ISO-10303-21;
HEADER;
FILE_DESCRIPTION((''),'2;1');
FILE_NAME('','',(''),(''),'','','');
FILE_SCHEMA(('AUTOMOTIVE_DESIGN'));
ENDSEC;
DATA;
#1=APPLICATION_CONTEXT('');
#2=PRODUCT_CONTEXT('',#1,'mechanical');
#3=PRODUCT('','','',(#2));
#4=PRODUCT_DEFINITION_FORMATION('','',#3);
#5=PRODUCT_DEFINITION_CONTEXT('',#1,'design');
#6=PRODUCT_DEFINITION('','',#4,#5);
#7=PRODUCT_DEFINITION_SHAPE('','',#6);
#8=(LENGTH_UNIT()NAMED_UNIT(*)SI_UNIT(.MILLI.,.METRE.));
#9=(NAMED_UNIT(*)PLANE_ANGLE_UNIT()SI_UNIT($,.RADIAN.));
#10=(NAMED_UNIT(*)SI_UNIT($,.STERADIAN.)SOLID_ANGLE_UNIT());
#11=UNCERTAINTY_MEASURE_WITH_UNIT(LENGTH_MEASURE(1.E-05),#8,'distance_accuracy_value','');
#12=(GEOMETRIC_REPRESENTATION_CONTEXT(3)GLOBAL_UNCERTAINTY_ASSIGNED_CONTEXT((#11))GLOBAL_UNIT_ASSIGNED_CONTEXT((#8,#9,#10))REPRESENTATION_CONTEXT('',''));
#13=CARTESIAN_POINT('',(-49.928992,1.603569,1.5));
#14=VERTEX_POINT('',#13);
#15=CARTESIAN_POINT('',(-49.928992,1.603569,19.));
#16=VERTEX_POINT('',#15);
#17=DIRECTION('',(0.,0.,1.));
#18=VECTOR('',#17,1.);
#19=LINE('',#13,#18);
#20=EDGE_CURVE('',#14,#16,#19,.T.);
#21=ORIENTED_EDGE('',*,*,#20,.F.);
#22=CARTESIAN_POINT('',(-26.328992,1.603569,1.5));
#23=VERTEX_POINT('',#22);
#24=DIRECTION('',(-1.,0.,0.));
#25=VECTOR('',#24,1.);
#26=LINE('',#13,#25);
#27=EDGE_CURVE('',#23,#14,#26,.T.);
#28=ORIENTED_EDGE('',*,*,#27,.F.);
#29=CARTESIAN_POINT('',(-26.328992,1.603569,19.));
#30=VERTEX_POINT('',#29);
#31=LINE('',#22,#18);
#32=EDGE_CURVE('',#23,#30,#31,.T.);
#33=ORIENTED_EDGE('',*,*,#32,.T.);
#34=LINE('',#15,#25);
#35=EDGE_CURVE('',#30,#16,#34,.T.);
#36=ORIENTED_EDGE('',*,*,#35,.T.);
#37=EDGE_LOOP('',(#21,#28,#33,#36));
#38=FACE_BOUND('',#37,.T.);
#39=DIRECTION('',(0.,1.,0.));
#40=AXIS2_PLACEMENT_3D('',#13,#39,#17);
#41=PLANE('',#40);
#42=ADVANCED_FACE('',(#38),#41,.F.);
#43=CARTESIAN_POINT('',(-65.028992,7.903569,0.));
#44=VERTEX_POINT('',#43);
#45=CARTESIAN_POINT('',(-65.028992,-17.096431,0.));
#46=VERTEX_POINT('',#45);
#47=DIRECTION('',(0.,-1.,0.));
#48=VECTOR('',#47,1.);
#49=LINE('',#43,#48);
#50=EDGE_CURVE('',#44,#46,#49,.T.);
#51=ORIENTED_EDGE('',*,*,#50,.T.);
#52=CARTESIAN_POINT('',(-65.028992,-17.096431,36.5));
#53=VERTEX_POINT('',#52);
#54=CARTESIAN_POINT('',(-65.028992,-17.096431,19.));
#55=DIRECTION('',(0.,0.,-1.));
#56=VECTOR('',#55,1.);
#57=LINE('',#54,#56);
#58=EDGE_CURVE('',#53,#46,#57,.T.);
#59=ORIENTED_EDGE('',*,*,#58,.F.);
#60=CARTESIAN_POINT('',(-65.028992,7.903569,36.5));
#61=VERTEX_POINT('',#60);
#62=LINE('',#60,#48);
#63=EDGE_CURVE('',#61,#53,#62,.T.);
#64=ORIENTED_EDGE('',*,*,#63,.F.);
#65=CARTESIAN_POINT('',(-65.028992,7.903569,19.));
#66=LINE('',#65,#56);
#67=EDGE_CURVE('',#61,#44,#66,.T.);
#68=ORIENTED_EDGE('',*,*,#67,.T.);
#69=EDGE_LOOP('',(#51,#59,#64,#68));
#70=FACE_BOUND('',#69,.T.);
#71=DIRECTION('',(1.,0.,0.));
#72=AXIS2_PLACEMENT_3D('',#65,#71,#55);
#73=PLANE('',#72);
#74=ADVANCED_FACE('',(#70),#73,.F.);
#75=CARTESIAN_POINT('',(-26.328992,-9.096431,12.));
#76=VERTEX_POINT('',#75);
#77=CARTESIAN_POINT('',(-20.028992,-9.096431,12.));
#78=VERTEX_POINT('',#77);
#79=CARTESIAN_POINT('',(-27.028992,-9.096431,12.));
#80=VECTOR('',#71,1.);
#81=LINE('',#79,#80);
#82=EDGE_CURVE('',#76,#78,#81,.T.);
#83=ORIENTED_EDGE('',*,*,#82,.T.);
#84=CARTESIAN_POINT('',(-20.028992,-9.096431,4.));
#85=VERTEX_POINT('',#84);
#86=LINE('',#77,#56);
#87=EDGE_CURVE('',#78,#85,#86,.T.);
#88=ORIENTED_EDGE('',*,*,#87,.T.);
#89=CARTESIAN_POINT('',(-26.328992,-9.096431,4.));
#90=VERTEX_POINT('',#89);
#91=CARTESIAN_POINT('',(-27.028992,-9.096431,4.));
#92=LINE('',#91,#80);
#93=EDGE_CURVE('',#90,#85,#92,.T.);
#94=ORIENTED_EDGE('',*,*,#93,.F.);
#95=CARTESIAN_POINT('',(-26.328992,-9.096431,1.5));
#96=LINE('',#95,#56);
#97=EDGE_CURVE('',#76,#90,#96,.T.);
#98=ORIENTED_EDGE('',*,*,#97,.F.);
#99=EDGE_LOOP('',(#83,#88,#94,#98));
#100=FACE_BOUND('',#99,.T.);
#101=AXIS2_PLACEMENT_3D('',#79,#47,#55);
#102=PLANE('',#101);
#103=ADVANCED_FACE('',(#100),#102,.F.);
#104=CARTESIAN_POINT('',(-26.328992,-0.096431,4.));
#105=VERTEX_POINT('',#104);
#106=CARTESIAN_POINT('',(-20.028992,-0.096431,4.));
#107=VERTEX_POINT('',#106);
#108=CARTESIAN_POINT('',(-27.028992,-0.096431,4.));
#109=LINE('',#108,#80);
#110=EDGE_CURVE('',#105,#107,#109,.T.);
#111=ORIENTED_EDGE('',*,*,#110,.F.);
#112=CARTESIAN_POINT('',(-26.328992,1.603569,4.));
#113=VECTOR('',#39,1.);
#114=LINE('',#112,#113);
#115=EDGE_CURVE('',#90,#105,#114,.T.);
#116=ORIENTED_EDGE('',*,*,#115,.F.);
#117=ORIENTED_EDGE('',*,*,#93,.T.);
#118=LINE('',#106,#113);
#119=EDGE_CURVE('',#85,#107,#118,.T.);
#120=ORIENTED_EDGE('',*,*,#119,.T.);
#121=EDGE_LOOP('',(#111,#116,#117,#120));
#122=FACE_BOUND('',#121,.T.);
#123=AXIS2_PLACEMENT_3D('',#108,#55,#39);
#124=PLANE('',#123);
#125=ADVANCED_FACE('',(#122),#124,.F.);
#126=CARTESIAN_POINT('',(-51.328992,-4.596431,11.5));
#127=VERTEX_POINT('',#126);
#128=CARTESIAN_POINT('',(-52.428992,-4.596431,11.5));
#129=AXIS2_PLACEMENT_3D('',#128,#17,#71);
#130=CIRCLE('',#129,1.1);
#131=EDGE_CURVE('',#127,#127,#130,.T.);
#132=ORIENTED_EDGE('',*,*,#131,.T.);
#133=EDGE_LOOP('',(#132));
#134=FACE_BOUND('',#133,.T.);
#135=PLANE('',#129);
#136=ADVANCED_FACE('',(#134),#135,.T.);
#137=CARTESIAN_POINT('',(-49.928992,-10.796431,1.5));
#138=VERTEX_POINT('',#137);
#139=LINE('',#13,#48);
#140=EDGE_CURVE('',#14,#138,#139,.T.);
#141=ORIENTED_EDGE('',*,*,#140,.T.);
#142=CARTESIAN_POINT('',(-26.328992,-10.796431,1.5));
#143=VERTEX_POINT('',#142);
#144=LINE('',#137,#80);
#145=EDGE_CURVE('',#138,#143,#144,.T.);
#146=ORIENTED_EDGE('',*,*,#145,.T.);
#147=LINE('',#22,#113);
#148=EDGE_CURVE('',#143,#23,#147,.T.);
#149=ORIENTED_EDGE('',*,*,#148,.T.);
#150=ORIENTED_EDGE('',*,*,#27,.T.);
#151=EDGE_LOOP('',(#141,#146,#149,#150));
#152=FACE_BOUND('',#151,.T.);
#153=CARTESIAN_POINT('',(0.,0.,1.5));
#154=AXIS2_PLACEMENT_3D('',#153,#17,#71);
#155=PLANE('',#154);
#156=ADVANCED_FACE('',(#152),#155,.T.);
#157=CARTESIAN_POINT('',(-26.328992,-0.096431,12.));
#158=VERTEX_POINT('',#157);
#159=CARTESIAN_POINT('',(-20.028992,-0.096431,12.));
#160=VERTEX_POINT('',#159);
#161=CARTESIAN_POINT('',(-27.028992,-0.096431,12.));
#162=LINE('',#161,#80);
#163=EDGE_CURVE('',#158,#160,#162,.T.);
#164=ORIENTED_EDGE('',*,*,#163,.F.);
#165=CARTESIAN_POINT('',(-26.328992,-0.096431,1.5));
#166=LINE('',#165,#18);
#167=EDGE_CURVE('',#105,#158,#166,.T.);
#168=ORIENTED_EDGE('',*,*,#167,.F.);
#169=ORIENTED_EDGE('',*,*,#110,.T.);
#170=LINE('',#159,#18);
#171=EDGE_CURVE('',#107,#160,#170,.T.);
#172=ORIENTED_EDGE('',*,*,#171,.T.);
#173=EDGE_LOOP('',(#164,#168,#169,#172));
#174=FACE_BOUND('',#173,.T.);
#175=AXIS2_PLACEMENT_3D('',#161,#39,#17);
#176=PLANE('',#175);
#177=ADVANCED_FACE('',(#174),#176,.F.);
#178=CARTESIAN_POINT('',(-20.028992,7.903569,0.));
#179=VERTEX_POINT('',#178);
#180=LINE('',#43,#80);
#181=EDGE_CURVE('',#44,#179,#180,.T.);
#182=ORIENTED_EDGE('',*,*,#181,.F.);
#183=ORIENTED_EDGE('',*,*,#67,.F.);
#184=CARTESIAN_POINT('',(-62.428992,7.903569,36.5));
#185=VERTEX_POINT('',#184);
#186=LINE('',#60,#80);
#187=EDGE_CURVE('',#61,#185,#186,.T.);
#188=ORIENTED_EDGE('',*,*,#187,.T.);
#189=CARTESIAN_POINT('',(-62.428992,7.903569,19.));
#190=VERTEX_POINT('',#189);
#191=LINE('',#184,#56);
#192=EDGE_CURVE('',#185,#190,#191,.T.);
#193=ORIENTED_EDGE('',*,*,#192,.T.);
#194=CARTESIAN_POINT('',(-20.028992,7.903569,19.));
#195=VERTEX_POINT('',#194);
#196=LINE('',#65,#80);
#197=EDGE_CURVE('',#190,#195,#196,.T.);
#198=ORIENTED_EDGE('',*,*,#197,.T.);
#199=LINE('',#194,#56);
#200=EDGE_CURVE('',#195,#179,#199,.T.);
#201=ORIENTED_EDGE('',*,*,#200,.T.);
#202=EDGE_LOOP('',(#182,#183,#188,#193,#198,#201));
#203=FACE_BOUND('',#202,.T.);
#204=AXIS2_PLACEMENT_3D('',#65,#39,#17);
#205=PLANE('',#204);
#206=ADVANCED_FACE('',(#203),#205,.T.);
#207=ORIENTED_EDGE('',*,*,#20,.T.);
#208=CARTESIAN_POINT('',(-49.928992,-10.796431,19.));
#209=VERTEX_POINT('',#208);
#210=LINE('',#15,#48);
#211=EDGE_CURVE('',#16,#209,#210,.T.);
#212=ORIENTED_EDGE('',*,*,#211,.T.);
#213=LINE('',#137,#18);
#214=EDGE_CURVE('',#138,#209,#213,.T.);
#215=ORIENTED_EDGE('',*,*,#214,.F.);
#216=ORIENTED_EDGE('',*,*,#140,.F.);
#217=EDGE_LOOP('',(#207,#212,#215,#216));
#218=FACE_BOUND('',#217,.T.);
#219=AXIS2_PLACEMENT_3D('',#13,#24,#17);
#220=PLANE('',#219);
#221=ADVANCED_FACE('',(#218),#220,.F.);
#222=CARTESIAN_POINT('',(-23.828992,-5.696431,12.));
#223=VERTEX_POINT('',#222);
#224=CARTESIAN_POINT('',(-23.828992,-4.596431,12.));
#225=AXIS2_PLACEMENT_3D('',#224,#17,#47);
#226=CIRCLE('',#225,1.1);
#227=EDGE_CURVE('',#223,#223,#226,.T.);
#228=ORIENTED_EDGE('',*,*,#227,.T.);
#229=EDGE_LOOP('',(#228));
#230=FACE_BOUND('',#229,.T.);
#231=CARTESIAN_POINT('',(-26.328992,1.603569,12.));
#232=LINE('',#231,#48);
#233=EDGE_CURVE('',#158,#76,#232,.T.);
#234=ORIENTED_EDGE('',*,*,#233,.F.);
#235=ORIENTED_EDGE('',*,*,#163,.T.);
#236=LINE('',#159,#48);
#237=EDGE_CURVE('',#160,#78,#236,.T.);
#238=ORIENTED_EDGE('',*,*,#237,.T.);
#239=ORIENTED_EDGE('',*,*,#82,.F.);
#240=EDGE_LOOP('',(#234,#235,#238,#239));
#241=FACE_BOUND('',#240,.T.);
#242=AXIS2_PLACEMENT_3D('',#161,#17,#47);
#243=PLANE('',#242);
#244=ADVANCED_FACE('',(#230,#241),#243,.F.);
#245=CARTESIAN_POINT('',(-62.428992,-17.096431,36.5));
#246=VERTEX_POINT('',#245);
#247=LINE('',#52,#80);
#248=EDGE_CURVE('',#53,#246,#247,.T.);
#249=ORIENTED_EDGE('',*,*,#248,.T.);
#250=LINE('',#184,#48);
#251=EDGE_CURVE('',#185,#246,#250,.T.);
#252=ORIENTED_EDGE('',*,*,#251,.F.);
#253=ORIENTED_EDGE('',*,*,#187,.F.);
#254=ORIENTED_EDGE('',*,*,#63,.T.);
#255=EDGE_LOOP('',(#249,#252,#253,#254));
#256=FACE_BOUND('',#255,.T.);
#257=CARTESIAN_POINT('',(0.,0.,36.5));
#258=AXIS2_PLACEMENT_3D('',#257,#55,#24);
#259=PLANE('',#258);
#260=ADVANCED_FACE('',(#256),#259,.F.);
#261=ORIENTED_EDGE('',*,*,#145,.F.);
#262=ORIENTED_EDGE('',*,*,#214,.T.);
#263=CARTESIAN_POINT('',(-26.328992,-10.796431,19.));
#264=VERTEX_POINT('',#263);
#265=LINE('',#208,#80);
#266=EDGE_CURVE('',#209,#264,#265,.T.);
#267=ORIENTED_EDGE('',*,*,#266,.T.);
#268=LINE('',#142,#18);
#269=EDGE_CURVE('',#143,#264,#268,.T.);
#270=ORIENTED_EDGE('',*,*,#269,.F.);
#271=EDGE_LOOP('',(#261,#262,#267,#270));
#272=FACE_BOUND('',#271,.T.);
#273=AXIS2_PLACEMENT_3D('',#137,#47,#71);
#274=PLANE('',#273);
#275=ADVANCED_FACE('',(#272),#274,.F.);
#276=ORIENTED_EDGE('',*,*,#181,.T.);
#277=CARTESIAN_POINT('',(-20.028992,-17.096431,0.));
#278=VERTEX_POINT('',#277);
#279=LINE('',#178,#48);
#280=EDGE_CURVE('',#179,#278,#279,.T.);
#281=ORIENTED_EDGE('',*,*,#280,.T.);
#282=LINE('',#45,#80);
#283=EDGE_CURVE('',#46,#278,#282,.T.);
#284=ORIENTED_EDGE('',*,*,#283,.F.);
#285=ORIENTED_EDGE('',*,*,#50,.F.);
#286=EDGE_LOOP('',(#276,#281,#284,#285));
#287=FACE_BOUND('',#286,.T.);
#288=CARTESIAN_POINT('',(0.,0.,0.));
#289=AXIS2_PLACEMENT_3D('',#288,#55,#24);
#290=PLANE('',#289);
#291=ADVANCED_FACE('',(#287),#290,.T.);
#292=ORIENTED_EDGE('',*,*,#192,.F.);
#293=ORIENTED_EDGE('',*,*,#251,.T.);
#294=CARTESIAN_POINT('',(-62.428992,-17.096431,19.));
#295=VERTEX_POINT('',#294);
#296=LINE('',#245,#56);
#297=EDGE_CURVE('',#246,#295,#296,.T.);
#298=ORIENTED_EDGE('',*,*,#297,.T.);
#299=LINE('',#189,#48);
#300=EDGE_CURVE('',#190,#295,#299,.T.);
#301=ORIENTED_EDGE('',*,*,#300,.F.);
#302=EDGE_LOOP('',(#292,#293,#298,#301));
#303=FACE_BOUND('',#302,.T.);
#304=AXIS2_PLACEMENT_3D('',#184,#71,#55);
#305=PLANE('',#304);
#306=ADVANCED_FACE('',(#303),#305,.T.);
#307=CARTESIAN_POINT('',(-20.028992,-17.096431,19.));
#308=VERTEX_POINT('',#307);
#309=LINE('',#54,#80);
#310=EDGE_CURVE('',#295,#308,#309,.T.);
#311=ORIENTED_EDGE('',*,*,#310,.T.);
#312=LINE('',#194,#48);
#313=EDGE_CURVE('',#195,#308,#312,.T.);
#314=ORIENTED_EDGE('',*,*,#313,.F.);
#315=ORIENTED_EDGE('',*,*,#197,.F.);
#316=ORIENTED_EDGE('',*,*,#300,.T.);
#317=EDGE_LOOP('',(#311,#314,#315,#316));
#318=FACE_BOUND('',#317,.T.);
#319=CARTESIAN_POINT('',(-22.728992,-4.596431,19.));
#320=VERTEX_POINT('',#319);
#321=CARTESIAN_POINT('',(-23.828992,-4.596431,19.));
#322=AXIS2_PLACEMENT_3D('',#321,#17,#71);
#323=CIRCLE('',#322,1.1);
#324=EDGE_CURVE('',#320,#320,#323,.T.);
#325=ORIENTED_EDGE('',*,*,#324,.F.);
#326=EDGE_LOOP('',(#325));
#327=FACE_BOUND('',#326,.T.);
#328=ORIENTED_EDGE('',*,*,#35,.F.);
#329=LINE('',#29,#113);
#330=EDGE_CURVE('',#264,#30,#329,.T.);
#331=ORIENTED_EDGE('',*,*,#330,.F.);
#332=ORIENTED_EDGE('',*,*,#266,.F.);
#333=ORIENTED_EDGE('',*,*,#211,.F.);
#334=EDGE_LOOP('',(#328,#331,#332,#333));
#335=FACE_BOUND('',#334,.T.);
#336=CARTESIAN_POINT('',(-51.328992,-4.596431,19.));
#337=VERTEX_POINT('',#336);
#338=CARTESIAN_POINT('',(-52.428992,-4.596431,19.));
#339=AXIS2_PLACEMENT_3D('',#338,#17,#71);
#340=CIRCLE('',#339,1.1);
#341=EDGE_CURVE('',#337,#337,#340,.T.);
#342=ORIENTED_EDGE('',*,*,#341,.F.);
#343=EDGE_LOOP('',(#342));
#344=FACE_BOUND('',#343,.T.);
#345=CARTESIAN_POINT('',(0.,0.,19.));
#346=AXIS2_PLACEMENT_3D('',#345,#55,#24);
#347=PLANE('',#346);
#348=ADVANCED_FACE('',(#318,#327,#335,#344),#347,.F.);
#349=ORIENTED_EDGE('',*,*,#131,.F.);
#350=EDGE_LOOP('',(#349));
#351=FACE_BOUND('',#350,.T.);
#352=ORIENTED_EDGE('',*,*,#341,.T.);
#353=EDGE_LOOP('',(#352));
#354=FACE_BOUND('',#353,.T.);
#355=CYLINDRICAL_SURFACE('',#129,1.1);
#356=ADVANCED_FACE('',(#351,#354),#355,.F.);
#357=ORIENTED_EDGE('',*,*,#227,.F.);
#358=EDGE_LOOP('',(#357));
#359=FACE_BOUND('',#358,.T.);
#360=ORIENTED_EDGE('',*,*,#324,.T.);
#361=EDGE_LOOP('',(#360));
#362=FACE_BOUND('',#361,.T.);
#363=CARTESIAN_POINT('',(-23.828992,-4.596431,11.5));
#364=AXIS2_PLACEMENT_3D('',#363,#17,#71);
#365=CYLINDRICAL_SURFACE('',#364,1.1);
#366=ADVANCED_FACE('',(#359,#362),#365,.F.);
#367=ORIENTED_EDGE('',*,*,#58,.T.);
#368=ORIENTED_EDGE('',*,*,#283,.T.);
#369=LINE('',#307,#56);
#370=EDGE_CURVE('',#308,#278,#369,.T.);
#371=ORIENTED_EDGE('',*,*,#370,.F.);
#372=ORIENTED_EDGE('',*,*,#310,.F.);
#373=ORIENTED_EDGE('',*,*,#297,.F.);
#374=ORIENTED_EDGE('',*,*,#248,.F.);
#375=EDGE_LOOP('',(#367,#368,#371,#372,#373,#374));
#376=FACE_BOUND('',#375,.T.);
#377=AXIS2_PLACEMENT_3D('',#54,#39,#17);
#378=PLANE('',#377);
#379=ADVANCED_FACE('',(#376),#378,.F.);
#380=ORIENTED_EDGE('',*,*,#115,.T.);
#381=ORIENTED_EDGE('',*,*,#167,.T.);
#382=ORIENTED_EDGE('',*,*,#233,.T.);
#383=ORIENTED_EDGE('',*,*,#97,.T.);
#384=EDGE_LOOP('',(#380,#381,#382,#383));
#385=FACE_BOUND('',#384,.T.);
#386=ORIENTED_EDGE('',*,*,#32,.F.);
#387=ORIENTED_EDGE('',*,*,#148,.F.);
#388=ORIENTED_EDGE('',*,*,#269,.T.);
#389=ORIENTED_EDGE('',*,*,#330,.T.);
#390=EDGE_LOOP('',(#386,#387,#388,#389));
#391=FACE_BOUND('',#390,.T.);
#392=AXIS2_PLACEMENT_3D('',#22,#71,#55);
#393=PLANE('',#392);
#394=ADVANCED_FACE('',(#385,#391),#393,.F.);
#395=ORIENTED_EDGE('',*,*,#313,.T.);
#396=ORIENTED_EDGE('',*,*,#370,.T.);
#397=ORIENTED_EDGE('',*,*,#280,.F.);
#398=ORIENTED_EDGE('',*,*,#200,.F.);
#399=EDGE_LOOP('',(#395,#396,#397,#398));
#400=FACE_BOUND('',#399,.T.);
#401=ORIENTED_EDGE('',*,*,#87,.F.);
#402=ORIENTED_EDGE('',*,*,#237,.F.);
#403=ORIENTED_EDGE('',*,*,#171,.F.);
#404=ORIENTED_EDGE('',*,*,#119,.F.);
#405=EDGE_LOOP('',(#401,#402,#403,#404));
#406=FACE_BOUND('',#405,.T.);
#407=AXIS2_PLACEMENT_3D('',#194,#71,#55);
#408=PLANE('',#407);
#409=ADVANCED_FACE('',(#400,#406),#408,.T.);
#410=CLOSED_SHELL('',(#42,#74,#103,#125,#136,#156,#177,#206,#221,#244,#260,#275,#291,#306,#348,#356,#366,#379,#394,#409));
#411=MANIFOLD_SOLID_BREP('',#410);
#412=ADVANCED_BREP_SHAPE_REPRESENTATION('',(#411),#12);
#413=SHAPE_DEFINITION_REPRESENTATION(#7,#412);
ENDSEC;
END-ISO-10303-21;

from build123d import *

# Parameters (mm, degrees)
SKETCH_1_W          = 45
SKETCH_1_H          = 25
EXTRUDE_2_DEPTH     = 19
SKETCH_4_W          = 23.6
SKETCH_4_H          = 12.4
CUT_EXTRUDE_2_DEPTH = 17.5
SKETCH_5_W          = 8
SKETCH_5_H          = 9
CUT_EXTRUDE_4_DEPTH = 7
SKETCH_6_R          = 1.1
CUT_EXTRUDE_6_DEPTH = 7.5
SKETCH_8_W          = 2.6
SKETCH_8_H          = 25
EXTRUDE_3_DEPTH     = 17.5


with BuildPart() as part:
    # 草圖1 → 填料-伸長2 (new body)
    with BuildSketch(Plane.XY):
        with Locations((-42.528991691, -4.596431101)):
            Rectangle(SKETCH_1_W, SKETCH_1_H)
    extrude(amount=EXTRUDE_2_DEPTH)

    # 草圖4 → 除料-伸長2 (cut)
    with BuildSketch(Plane.XY.offset(19)):
        with Locations((-38.128991691, -4.596431101)):
            Rectangle(SKETCH_4_W, SKETCH_4_H)
    extrude(amount=-CUT_EXTRUDE_2_DEPTH, mode=Mode.SUBTRACT)

    # 草圖5 → 除料-伸長4 (cut)
    with BuildSketch(Plane(origin=(-20.028991691, 0, 0), x_dir=(0, 0, -1), z_dir=(1, 0, 0))):
        with Locations((-8, -4.596431101)):
            Rectangle(SKETCH_5_W, SKETCH_5_H)
    extrude(amount=-CUT_EXTRUDE_4_DEPTH, mode=Mode.SUBTRACT)

    # 草圖6 → 除料-伸長6 (cut)
    with BuildSketch(Plane.XY.offset(19)):
        with Locations((-23.828991691, -4.596431101)):
            Circle(SKETCH_6_R)
        with Locations((-52.428991691, -4.596431101)):
            Circle(SKETCH_6_R)
    extrude(amount=-CUT_EXTRUDE_6_DEPTH, mode=Mode.SUBTRACT)

    # 草圖8 → 填料-伸長3 (add)
    with BuildSketch(Plane.XY.offset(19)):
        with Locations((-63.728991691, -4.596431101)):
            Rectangle(SKETCH_8_W, SKETCH_8_H)
    extrude(amount=EXTRUDE_3_DEPTH)


solid = part.part
